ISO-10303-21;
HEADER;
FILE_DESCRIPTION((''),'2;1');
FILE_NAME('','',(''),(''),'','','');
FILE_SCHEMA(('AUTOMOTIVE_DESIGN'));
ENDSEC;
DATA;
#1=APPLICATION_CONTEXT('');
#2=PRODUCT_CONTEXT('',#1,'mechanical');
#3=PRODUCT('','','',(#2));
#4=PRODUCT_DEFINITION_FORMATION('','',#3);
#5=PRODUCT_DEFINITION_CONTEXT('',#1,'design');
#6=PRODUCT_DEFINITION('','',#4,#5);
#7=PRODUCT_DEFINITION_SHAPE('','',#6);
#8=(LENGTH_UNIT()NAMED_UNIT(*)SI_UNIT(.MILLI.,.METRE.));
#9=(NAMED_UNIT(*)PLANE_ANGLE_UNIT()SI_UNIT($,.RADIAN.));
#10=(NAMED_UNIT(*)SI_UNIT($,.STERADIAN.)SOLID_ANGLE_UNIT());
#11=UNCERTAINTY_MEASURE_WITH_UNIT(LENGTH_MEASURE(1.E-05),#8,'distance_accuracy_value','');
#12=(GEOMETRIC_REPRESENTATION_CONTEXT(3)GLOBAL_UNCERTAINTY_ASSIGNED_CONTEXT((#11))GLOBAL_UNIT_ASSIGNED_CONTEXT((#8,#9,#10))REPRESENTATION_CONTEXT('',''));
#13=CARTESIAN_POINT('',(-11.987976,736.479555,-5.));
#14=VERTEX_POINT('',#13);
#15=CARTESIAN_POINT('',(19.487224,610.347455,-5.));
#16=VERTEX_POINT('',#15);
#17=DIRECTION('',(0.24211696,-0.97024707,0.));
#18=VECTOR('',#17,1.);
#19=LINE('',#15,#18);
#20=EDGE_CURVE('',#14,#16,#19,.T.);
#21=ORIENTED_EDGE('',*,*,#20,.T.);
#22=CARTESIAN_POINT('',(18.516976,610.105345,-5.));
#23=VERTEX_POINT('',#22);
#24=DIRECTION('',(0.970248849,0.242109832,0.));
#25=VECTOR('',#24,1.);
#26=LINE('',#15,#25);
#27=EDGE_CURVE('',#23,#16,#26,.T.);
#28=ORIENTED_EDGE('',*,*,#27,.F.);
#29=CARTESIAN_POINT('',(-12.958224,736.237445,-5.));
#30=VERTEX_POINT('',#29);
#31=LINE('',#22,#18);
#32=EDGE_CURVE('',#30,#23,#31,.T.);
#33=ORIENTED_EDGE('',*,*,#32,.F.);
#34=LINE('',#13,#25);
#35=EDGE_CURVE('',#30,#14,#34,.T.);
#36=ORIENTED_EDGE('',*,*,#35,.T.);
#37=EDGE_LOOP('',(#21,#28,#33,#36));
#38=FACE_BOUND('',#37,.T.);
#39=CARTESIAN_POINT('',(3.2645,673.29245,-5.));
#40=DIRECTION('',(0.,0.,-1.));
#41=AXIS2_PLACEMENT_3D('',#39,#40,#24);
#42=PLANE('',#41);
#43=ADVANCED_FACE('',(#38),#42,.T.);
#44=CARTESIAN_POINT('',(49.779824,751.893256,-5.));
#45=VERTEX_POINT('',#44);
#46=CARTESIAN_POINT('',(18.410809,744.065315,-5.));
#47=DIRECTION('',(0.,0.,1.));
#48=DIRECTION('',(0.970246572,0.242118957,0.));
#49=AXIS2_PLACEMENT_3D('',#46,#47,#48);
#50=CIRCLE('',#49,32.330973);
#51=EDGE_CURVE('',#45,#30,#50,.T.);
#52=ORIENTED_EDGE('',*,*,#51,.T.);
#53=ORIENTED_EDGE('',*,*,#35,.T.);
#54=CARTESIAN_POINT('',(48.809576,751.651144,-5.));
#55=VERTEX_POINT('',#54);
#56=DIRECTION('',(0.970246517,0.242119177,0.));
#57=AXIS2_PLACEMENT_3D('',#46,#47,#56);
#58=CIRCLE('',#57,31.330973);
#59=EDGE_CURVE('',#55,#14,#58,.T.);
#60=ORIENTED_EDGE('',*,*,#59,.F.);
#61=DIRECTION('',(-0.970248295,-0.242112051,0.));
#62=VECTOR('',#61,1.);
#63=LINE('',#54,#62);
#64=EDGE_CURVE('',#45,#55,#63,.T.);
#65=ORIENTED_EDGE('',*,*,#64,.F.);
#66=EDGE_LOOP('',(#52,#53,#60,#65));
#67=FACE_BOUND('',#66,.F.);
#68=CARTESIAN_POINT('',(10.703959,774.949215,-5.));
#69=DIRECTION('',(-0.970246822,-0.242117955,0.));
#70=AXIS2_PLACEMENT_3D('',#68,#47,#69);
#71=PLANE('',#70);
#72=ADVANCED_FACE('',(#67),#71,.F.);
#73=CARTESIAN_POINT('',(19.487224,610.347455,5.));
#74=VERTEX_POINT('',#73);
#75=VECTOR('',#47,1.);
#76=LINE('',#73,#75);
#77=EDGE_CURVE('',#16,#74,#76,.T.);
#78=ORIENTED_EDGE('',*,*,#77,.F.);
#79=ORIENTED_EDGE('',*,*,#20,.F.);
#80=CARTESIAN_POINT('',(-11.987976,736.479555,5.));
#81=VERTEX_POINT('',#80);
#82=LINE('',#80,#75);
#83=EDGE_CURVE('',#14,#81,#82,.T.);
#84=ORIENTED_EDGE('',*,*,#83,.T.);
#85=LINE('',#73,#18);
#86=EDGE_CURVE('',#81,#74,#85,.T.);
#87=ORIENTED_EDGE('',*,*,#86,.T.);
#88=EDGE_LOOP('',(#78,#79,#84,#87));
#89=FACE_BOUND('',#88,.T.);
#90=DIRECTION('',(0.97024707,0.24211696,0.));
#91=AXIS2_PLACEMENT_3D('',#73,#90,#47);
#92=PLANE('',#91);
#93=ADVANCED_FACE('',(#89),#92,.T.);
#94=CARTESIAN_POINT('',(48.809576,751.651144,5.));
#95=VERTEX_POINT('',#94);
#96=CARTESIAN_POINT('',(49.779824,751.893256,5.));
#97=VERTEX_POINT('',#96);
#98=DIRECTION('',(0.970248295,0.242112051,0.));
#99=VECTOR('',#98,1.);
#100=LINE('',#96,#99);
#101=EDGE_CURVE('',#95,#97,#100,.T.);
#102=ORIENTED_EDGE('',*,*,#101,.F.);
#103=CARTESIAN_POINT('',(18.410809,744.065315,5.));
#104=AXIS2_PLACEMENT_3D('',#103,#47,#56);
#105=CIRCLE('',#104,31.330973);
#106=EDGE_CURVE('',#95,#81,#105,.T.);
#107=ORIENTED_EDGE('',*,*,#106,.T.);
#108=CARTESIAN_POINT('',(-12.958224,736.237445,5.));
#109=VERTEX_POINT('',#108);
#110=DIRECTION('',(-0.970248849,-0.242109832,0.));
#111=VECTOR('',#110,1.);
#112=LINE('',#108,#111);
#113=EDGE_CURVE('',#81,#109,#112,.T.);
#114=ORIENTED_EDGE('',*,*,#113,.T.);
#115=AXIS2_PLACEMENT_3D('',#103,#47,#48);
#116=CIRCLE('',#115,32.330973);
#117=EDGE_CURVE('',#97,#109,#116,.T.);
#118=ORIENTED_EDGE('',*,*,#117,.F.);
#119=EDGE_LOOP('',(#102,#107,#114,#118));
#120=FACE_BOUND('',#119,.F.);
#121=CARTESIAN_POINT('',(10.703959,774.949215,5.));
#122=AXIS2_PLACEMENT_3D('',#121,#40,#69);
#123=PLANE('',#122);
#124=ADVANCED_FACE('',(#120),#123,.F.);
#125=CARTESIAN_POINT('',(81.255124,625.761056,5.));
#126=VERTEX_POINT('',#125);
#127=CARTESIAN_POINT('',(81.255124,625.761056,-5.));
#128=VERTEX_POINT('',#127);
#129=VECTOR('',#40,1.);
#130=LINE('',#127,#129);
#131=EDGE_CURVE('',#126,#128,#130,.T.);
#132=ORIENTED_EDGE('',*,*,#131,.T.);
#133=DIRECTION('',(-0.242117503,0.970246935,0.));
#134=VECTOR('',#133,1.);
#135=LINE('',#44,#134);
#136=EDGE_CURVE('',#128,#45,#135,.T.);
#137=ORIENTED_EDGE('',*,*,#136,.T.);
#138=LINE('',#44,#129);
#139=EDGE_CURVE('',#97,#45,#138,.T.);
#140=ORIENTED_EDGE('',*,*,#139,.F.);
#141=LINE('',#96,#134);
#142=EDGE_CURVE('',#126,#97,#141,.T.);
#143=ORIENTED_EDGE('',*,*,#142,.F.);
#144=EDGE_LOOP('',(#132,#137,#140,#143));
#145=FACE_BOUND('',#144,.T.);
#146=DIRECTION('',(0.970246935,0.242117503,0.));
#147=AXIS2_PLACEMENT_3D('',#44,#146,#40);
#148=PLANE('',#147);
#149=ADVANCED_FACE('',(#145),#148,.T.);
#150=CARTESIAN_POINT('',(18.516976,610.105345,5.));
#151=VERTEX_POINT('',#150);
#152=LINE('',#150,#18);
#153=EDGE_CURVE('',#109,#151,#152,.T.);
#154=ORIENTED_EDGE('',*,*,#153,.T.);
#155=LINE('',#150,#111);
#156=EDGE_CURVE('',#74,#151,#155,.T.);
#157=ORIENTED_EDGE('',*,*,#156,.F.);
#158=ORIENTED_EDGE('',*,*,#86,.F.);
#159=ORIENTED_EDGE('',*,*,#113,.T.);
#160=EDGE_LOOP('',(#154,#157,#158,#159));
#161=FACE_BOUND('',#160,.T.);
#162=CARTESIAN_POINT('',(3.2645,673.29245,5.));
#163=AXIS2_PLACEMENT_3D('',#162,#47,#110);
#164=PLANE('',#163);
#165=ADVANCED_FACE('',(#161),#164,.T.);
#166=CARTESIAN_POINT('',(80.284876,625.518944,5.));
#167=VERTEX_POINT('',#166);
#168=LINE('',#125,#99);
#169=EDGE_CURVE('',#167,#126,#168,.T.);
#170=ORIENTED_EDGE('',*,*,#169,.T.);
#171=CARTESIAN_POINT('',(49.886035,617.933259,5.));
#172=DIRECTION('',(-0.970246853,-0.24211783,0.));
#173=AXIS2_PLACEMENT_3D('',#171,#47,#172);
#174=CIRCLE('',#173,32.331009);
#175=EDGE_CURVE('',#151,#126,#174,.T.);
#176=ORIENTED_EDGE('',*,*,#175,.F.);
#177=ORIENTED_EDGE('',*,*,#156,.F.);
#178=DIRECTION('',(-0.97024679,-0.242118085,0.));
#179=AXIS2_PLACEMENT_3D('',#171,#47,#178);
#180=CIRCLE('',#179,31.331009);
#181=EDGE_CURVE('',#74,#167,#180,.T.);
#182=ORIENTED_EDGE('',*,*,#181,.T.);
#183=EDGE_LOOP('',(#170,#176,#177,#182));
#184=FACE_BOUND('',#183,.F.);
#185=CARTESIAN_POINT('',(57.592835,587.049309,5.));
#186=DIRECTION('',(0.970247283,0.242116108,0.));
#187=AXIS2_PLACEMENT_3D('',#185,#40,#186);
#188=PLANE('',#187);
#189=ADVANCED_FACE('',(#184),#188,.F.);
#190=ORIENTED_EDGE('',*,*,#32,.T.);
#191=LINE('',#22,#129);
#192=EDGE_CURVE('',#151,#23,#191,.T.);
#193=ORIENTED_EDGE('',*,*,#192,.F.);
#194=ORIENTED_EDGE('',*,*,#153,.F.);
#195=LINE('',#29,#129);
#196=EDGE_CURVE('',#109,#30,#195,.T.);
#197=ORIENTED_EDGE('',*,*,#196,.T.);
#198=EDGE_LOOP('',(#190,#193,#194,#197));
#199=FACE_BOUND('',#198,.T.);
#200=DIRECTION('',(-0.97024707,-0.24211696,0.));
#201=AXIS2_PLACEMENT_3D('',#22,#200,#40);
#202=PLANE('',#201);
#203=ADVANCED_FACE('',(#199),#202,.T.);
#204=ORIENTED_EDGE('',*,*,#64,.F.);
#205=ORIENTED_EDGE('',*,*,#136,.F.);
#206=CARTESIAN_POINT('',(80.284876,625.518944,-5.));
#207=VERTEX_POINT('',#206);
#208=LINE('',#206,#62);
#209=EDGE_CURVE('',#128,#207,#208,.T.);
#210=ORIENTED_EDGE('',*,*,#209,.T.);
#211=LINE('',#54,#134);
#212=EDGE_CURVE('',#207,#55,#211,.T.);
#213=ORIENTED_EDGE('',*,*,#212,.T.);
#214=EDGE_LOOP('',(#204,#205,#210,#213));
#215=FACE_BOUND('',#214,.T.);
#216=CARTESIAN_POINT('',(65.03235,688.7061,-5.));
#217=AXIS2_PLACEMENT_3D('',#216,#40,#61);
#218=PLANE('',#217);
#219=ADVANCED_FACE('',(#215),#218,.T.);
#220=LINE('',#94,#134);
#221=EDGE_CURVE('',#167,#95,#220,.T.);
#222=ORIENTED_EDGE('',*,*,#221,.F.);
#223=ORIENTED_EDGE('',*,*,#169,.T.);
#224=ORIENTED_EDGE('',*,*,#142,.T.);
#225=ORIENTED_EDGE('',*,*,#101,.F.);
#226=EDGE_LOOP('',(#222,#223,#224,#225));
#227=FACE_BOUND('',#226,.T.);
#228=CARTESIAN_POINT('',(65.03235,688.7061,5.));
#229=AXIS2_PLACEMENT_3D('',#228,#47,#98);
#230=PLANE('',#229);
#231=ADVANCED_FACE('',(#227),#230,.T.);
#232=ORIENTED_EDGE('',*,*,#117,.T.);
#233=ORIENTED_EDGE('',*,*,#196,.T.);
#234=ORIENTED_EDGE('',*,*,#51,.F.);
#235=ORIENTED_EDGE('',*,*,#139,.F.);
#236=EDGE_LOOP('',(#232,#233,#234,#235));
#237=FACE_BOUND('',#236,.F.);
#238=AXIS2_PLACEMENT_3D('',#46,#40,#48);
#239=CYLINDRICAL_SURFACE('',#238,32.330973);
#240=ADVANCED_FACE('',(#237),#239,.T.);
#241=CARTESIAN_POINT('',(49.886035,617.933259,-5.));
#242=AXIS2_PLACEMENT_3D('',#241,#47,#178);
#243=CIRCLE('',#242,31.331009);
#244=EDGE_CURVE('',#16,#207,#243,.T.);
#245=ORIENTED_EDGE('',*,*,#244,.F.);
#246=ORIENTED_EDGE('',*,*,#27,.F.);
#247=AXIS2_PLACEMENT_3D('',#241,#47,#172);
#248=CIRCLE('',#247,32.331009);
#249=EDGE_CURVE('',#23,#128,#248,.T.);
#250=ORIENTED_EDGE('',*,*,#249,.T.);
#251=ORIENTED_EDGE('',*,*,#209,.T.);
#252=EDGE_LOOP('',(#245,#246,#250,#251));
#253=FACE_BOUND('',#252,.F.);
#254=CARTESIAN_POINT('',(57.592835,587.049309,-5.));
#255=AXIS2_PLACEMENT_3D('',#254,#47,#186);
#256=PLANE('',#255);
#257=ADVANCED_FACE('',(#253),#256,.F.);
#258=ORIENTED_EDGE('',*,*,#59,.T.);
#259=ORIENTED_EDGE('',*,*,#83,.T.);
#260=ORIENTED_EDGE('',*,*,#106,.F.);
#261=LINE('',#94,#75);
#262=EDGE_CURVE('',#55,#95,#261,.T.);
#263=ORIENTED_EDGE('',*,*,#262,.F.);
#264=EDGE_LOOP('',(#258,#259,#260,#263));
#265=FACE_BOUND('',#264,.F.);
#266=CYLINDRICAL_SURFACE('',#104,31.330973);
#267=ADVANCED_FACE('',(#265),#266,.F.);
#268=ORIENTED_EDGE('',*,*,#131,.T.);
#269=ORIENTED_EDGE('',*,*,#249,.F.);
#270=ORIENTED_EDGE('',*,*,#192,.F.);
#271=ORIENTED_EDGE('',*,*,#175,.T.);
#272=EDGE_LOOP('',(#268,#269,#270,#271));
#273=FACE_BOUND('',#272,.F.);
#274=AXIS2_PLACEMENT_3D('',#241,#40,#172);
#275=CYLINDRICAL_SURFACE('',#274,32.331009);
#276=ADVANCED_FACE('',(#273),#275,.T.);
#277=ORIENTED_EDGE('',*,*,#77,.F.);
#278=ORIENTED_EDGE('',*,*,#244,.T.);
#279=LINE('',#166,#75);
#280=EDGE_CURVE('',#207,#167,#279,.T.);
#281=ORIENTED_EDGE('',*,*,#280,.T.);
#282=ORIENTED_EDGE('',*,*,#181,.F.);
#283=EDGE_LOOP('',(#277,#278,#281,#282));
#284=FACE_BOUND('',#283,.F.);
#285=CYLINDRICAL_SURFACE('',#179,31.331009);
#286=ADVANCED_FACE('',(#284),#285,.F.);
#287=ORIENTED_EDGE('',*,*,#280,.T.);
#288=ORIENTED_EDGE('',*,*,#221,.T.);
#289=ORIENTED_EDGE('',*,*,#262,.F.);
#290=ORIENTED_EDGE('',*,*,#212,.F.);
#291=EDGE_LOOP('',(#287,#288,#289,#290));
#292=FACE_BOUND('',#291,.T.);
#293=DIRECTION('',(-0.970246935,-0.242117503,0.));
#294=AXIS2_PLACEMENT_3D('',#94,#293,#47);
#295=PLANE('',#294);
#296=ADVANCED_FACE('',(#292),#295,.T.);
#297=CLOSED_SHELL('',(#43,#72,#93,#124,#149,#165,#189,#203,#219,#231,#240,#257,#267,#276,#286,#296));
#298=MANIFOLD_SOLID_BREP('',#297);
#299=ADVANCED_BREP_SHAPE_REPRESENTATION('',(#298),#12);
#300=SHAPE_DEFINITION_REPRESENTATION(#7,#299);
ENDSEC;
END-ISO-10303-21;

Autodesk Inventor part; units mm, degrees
sketch "Sketch Path" plane through (0, 0, 0) normal (0, 0, 1) x (1, 0, 0)
  arc A0 (19.0021, 610.2264) -> (80.77, 625.64) centre (49.886, 617.9332) ccw
  arc A1 (49.2947, 751.7722) -> (-12.4731, 736.3585) centre (18.4108, 744.0653) ccw
  line L0 (49.2947, 751.7722) -> (80.77, 625.64)
  line L1 (19.0021, 610.2264) -> (-12.4731, 736.3585)
ref_plane "Cross Section Plane" through (80.77, 625.64, 0) normal (-0.2421, 0.9702, 0) x (0, 0, 1)
ref_plane "Work Plane2" through (49.886, 617.9332, 0) normal (-1, 0, 0) x (0, 0, 1)
ref_plane "Work Plane3" through (18.4108, 744.0653, 0) normal (0.1564, -0.9877, 0) x (0, 0, 1)
sketch "Cross Section" plane through (80.77, 625.64, 0) normal (-0.2421, 0.9702, 0) x (0, 0, 1)
  line L0 (-5, 0.5) -> (5, 0.5)
  line L1 (5, 0.5) -> (5, -0.5)
  line L2 (5, -0.5) -> (-5, -0.5)
  line L3 (-5, -0.5) -> (-5, 0.5)
  line L4 (-5, 0) -> (5, 0) construction
  point P0 (0, 0)
  point P1 (0, 0)
  dimension "d0" = 10
  dimension "d4" = 0.5
  dimension "d5" = 0.5
sweep "Belt" add profiles "Cross Section" path "Sketch Path"
equation "\"d0\" = da_B"
equation "\"d4\" = da_a"
equation "\"d5\" = da_a2"
equation "\"da_B\" = 10"
equation "\"da_pb\" = 5"
equation "\"da_a\" = 0.5"
equation "\"da_S\" = 2.65"
equation "\"da_Beta\" = 20deg"
equation "\"da_Ht\" = 1.2"
equation "\"da_H\" = 2.2"
equation "\"da_a2\" = 0.5"
properties part number "Synchronous Belt" material "Rubber"
